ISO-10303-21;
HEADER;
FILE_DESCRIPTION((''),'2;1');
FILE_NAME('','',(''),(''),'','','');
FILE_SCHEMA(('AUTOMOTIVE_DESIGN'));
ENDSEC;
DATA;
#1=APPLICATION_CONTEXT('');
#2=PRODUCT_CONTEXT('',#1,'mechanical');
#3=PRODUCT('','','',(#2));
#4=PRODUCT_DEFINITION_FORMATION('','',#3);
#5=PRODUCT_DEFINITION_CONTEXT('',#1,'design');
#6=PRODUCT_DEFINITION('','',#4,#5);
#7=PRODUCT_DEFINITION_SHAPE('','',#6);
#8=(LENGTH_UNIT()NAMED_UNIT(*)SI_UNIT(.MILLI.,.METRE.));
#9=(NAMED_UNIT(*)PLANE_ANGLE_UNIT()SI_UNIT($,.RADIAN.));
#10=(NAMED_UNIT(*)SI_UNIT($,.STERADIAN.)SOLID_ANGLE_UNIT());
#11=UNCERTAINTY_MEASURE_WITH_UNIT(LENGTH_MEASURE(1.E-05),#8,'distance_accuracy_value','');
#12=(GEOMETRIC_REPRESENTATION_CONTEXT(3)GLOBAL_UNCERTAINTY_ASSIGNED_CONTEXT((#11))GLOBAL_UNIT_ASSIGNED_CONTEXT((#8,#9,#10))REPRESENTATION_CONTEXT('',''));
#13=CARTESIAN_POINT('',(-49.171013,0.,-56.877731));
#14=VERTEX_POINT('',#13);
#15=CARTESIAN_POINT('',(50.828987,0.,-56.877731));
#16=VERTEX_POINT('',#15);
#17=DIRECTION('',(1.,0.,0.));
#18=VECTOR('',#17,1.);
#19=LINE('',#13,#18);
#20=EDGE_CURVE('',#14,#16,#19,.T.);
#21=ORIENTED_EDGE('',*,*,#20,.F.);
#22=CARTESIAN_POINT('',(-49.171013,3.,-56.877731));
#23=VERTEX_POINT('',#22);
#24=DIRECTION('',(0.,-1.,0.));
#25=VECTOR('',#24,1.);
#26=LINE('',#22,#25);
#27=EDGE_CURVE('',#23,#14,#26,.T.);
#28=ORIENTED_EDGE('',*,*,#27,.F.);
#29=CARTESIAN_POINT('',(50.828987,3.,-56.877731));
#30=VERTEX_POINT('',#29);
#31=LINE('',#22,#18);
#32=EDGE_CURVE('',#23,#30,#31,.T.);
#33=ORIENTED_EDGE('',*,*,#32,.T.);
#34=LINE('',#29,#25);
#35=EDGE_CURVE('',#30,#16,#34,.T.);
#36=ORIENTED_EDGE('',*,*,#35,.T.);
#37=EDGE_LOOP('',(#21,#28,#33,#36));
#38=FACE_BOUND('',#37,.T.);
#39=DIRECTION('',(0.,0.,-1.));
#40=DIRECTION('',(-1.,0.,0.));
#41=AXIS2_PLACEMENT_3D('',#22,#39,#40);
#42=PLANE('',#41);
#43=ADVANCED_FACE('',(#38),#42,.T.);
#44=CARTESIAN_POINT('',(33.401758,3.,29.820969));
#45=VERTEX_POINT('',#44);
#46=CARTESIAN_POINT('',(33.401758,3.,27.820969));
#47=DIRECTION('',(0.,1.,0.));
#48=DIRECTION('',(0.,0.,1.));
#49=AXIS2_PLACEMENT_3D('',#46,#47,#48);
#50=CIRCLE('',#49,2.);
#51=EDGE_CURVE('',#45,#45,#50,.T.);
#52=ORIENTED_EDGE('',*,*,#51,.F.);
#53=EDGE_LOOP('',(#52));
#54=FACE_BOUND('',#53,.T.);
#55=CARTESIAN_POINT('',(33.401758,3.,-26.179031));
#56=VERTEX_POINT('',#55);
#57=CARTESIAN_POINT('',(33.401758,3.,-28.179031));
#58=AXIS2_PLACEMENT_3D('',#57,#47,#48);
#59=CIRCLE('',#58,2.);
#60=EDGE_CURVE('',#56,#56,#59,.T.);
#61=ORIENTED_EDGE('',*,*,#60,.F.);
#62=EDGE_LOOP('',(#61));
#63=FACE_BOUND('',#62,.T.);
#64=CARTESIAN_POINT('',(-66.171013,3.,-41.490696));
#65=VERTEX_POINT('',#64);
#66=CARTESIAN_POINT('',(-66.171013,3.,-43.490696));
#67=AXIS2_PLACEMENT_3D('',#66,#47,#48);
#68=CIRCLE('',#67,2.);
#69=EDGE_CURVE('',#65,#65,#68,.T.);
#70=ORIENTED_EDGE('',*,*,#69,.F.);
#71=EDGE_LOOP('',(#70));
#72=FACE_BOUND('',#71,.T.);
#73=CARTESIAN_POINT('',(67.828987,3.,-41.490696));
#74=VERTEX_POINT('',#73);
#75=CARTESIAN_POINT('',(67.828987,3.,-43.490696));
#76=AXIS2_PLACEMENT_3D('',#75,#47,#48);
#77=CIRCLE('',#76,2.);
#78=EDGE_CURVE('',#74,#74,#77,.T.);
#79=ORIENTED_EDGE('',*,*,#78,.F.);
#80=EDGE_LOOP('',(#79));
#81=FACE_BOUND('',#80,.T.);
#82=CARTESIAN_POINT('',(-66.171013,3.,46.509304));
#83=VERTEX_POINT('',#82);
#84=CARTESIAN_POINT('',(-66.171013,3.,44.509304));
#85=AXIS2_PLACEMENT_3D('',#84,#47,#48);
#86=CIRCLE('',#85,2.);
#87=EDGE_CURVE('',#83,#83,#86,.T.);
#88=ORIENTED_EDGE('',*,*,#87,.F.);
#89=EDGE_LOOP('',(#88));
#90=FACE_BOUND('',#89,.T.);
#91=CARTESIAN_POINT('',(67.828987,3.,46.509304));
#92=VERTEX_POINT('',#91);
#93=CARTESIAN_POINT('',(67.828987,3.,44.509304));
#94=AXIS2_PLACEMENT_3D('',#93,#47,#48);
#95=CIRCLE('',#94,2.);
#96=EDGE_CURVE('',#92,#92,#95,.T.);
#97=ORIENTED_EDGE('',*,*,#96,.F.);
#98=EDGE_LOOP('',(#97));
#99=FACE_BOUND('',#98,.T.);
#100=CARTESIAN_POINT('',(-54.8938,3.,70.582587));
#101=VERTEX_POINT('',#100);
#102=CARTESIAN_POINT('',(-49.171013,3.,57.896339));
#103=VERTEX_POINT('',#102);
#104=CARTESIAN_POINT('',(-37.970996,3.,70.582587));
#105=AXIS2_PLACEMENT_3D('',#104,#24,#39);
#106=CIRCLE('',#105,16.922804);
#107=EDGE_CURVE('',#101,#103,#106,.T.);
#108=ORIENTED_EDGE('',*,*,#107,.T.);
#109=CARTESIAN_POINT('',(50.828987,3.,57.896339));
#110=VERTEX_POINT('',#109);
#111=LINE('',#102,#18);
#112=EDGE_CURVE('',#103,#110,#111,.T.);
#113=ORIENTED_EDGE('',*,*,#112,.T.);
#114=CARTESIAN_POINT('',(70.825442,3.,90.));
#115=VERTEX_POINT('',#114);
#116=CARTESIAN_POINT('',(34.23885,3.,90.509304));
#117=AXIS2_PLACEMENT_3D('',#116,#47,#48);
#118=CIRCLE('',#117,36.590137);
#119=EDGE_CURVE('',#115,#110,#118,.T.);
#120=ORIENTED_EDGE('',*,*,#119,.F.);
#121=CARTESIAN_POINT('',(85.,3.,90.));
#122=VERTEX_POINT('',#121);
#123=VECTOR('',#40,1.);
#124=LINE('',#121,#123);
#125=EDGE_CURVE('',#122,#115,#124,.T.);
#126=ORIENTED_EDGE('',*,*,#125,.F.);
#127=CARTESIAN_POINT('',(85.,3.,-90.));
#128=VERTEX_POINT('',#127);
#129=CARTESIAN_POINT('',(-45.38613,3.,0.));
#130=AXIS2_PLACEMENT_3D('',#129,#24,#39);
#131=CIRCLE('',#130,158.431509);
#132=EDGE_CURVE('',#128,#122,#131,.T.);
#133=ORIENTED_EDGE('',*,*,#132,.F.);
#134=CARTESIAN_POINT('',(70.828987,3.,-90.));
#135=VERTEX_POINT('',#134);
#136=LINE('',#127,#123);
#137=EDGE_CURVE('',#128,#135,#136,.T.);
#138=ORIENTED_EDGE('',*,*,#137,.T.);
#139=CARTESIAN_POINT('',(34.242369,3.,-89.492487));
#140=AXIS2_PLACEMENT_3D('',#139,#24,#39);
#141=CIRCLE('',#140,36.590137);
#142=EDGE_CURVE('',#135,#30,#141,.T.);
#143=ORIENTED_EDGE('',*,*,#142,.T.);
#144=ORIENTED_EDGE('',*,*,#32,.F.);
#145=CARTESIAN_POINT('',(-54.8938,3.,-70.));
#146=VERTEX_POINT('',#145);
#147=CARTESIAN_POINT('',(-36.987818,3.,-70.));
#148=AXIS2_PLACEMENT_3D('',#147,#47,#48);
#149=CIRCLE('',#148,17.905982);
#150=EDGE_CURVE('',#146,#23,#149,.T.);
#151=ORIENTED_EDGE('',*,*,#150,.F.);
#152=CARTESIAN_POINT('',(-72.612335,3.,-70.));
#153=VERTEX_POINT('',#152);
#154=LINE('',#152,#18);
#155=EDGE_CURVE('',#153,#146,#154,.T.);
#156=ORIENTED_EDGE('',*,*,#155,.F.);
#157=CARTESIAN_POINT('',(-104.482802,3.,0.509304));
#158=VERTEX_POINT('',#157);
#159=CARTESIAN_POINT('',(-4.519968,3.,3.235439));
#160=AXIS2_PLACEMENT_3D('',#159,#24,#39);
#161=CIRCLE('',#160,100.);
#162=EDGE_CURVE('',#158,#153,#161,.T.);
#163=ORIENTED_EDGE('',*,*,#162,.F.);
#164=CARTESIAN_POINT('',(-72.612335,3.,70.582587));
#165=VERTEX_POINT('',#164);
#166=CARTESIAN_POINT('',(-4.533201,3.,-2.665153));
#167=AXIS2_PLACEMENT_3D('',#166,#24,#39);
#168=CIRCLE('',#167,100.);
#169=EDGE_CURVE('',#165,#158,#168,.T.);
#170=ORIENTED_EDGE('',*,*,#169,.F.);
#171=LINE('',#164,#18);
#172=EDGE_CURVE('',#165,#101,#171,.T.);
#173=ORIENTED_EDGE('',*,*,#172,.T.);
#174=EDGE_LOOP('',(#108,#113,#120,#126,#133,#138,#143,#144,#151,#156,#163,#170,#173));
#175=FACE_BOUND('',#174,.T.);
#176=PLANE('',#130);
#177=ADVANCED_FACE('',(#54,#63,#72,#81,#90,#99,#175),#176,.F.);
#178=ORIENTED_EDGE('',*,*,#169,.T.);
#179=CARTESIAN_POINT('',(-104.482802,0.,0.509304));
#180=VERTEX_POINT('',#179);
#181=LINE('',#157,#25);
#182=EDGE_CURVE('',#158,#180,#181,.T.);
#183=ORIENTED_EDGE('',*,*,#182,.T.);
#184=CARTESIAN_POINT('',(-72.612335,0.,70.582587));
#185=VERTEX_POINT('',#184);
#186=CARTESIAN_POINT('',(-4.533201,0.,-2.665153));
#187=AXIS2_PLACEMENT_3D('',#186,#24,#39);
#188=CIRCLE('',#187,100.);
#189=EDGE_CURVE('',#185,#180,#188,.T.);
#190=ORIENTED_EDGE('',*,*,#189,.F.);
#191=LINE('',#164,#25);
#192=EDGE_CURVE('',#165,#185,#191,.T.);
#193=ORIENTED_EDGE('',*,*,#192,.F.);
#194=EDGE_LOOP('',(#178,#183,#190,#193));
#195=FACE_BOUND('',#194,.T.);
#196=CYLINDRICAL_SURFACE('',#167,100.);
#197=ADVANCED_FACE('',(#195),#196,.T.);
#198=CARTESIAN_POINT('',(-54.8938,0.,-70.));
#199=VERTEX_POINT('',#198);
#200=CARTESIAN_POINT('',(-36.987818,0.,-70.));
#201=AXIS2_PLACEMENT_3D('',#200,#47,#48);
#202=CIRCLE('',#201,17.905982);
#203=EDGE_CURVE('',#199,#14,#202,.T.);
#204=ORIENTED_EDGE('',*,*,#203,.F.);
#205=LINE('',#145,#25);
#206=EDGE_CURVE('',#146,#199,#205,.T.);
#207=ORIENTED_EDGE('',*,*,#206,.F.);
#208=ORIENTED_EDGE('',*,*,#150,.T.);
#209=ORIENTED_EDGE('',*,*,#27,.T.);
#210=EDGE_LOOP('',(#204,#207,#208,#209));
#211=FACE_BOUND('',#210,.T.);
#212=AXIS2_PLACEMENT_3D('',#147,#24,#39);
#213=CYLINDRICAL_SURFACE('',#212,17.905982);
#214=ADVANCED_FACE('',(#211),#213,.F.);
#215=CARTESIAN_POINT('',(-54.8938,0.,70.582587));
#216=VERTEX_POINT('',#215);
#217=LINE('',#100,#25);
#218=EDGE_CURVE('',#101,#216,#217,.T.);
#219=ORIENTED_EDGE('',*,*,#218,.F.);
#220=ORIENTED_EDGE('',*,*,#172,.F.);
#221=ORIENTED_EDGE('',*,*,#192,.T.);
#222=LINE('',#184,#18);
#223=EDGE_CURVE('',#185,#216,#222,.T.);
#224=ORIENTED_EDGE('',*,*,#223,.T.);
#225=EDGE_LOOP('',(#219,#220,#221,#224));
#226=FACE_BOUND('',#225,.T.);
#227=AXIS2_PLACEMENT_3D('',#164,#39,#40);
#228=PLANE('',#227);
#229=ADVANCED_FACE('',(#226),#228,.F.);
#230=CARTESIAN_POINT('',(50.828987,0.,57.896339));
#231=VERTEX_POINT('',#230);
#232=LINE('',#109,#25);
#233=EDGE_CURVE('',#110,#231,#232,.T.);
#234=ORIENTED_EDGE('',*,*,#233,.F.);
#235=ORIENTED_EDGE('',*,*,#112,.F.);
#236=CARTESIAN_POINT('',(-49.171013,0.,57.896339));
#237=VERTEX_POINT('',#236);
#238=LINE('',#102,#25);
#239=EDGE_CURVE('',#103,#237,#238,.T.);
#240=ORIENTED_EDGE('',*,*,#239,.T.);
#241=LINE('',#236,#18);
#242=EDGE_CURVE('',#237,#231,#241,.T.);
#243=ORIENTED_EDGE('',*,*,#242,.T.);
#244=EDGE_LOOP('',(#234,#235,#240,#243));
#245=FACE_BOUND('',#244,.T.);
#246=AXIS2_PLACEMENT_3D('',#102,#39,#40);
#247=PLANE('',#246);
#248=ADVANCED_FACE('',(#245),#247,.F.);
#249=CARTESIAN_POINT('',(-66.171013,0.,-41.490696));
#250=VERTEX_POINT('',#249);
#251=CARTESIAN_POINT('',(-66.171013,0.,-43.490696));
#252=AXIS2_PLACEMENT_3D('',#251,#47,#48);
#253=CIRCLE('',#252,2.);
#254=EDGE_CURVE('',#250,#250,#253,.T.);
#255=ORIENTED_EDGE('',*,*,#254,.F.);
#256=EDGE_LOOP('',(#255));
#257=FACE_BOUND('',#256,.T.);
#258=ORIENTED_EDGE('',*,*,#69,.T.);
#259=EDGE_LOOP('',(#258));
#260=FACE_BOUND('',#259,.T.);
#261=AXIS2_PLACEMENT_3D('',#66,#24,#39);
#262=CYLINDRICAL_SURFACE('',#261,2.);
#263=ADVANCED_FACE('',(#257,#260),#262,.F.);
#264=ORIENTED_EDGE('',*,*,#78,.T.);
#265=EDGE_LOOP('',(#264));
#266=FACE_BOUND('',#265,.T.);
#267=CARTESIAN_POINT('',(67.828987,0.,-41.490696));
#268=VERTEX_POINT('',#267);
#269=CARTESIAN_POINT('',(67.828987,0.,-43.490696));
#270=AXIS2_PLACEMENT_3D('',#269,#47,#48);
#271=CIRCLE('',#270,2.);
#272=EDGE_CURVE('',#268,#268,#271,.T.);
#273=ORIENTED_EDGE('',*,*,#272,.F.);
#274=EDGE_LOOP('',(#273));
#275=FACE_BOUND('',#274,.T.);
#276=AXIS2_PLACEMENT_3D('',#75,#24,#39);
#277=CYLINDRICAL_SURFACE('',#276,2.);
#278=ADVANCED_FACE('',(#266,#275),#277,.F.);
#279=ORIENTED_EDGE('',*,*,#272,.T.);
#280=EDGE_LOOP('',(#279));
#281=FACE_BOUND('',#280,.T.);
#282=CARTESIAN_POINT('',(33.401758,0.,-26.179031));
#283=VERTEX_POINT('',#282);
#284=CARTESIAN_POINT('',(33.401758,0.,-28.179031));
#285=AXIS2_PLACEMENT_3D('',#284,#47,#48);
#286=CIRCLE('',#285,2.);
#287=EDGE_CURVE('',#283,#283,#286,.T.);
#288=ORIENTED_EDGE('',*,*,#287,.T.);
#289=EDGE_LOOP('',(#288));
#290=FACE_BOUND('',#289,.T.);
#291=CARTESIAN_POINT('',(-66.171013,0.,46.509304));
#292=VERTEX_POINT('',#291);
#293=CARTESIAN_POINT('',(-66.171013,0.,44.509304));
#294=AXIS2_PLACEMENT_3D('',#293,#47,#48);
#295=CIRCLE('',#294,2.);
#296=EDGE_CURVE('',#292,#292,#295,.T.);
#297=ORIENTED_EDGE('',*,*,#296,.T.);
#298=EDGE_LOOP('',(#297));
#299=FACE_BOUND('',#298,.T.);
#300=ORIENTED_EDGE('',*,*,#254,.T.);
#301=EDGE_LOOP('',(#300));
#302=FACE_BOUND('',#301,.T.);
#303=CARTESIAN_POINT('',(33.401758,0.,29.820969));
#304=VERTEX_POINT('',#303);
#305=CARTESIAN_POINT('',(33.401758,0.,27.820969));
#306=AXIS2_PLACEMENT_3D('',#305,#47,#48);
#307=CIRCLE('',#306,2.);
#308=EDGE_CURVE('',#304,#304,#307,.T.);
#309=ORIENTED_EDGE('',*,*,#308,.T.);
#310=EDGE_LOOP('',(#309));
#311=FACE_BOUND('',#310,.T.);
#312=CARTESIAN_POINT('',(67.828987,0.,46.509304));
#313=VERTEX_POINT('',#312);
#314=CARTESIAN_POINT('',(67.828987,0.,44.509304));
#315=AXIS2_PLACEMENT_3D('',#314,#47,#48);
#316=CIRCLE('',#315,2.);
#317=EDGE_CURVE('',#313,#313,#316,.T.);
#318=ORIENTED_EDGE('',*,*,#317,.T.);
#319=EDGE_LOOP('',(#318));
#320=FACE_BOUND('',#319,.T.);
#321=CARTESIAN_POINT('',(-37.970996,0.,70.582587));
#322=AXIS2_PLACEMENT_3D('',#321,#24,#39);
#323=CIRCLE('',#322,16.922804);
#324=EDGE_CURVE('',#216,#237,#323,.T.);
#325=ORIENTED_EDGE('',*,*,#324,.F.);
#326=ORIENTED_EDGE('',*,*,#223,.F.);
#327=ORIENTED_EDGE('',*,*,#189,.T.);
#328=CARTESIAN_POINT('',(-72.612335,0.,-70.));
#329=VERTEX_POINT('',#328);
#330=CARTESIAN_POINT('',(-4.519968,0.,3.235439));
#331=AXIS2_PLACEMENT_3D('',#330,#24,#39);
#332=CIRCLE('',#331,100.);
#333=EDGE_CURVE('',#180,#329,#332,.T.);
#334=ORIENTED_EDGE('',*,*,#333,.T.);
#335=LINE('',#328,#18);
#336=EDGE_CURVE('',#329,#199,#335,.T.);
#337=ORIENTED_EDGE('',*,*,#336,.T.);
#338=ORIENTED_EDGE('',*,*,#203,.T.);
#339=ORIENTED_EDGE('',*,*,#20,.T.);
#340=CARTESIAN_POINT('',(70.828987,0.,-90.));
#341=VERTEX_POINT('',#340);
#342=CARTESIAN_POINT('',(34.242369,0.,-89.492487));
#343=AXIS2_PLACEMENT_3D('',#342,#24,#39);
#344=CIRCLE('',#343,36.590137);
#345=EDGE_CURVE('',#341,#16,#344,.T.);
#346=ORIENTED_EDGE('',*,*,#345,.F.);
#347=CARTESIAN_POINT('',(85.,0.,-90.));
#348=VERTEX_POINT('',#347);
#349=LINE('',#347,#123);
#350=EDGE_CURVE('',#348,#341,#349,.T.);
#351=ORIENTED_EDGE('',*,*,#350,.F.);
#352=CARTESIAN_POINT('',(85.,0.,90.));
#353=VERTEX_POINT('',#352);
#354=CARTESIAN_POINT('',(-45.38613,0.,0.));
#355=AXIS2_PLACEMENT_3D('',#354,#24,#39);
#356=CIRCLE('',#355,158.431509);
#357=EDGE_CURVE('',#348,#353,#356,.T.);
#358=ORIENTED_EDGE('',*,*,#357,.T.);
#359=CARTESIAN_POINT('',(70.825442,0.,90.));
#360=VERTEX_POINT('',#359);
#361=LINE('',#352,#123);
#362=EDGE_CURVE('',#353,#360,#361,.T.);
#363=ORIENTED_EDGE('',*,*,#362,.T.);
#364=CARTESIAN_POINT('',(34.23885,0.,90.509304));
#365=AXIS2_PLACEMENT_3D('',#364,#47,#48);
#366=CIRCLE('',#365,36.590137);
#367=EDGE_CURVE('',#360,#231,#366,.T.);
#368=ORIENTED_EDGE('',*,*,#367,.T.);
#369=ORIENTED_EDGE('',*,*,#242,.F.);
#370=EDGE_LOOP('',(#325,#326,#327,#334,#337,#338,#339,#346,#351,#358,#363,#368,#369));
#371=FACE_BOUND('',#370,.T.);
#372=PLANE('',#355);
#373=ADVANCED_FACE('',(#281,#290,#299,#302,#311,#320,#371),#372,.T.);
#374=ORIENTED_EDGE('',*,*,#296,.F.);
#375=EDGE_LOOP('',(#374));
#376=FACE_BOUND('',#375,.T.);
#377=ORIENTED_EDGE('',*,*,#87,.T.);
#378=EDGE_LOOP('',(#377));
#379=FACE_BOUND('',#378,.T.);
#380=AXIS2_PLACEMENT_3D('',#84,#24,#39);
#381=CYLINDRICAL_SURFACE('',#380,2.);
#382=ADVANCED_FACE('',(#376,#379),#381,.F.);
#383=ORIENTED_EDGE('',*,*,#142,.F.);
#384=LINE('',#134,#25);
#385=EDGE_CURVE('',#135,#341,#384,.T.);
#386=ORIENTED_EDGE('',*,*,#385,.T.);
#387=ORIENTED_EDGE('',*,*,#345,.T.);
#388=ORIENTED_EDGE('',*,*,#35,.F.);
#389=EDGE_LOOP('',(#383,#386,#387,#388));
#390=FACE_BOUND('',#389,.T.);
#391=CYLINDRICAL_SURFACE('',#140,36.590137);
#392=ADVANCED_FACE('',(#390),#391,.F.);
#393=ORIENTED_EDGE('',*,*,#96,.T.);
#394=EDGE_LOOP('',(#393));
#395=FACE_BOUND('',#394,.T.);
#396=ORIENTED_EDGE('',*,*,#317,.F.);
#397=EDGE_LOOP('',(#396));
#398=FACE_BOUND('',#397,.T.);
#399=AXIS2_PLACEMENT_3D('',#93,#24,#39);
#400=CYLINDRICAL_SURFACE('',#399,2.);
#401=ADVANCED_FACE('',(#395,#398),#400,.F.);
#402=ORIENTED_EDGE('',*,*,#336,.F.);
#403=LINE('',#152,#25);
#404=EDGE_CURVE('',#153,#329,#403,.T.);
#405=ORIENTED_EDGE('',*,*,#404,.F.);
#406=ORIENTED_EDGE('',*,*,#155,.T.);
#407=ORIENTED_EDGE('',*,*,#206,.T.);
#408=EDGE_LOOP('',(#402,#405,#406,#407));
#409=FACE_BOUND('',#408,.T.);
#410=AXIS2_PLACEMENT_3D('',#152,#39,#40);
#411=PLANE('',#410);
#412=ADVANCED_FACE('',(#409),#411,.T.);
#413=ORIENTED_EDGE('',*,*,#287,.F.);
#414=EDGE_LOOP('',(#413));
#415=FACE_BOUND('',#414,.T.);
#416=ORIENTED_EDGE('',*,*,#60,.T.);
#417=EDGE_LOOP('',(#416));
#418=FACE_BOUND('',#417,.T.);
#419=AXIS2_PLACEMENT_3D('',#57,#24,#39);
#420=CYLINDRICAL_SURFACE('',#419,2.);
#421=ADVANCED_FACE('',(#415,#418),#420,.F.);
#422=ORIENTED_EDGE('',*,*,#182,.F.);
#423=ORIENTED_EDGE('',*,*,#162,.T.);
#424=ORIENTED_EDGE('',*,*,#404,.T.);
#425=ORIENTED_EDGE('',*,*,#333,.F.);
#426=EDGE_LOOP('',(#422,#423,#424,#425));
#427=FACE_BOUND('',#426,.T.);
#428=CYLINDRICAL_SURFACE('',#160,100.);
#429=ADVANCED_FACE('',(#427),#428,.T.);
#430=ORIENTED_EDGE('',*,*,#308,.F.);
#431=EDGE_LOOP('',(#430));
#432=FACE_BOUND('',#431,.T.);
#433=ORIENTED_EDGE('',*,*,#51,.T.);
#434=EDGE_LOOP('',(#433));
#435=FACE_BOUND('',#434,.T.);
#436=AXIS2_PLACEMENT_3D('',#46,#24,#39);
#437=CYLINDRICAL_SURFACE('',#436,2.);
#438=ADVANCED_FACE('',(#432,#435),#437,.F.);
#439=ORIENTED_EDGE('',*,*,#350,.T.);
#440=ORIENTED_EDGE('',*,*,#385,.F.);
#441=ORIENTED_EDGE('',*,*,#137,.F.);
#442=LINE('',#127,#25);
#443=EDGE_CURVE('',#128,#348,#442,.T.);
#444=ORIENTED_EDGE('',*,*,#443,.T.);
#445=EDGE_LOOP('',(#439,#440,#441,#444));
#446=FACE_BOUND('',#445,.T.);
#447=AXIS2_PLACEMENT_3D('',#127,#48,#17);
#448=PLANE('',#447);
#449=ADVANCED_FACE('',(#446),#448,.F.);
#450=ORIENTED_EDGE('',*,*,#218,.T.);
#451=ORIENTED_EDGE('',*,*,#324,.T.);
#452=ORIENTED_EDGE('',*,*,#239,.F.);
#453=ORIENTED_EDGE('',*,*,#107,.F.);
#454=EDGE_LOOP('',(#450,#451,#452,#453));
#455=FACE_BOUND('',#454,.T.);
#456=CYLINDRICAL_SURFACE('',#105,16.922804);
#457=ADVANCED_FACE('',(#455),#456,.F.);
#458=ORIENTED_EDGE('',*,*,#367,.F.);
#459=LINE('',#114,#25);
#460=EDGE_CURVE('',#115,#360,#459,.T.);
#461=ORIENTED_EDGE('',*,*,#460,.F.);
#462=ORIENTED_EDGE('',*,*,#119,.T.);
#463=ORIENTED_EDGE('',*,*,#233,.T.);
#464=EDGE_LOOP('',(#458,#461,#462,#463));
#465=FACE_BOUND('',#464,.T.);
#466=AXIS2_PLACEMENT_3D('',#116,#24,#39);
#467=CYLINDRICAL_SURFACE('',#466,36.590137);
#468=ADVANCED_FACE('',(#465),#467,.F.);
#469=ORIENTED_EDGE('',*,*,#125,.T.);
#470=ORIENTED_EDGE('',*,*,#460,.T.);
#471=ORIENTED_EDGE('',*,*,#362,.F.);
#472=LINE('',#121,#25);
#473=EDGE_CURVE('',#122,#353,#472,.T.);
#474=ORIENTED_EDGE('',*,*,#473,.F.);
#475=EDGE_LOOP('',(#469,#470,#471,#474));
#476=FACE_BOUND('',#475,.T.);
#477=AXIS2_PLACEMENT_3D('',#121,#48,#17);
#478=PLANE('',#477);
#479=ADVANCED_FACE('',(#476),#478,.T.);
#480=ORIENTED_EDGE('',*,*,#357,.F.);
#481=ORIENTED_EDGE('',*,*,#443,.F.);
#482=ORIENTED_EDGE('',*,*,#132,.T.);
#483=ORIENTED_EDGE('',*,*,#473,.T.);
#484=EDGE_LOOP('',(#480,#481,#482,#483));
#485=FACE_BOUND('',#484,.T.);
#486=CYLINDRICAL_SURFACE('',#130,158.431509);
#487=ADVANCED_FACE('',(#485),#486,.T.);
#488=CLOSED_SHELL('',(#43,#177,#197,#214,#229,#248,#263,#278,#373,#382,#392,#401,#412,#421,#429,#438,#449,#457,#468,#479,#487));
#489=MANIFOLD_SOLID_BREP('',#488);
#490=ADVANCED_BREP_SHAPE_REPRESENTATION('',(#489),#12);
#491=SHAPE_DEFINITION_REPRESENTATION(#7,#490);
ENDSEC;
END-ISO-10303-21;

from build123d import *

# Parameters (mm, degrees)
SKETCH3_R           = 2
BOSS_EXTRUDE3_DEPTH = 3


with BuildPart() as part:
    # Sketch3 → Boss-Extrude3 (new body)
    with BuildSketch(Plane(origin=(0, 0, 0), x_dir=(1, 0, 0), z_dir=(0, 1, 0))):
        with BuildLine():
            Line((-49.171013104, 56.877731278), (50.828986896, 56.877731278))
            ThreePointArc((50.828986896, 56.877731278), (65.565194963, 70.579032512), (70.828986896, 90))
            Line((70.828986896, 90), (85, 90))
            ThreePointArc((85, 90), (113.045378517, 0), (85, -90))
            Line((85, -90), (70.825442188, -90))
            ThreePointArc((70.825442188, -90), (65.296898803, -71.164130385), (50.828986896, -57.896338511))
            Line((50.828986896, -57.896338511), (-49.171013104, -57.896338511))
            ThreePointArc((-49.171013104, -57.896338511), (-53.39689903, -63.623937963), (-54.893799534, -70.582586985))
            Line((-54.893799534, -70.582586985), (-72.612335341, -70.582586985))
            ThreePointArc((-72.612335341, -70.582586985), (-95.56056104, -38.735568001), (-104.48280247, -0.509303616))
            ThreePointArc((-104.48280247, -0.509303616), (-95.643665217, 37.952810082), (-72.612335341, 70))
            Line((-72.612335341, 70), (-54.893799534, 70))
            ThreePointArc((-54.893799534, 70), (-53.400865269, 62.84206348), (-49.171013104, 56.877731278))
        make_face()
        with Locations((33.401757754, -27.820969354)):
            Circle(SKETCH3_R, mode=Mode.SUBTRACT)
        with Locations((33.401757754, 28.179030646)):
            Circle(SKETCH3_R, mode=Mode.SUBTRACT)
        with Locations((-66.171013104, 43.490696384)):
            Circle(SKETCH3_R, mode=Mode.SUBTRACT)
        with Locations((67.828986896, 43.490696384)):
            Circle(SKETCH3_R, mode=Mode.SUBTRACT)
        with Locations((67.828986896, -44.509303616)):
            Circle(SKETCH3_R, mode=Mode.SUBTRACT)
        with Locations((-66.171013104, -44.509303616)):
            Circle(SKETCH3_R, mode=Mode.SUBTRACT)
    extrude(amount=BOSS_EXTRUDE3_DEPTH)


solid = part.part
